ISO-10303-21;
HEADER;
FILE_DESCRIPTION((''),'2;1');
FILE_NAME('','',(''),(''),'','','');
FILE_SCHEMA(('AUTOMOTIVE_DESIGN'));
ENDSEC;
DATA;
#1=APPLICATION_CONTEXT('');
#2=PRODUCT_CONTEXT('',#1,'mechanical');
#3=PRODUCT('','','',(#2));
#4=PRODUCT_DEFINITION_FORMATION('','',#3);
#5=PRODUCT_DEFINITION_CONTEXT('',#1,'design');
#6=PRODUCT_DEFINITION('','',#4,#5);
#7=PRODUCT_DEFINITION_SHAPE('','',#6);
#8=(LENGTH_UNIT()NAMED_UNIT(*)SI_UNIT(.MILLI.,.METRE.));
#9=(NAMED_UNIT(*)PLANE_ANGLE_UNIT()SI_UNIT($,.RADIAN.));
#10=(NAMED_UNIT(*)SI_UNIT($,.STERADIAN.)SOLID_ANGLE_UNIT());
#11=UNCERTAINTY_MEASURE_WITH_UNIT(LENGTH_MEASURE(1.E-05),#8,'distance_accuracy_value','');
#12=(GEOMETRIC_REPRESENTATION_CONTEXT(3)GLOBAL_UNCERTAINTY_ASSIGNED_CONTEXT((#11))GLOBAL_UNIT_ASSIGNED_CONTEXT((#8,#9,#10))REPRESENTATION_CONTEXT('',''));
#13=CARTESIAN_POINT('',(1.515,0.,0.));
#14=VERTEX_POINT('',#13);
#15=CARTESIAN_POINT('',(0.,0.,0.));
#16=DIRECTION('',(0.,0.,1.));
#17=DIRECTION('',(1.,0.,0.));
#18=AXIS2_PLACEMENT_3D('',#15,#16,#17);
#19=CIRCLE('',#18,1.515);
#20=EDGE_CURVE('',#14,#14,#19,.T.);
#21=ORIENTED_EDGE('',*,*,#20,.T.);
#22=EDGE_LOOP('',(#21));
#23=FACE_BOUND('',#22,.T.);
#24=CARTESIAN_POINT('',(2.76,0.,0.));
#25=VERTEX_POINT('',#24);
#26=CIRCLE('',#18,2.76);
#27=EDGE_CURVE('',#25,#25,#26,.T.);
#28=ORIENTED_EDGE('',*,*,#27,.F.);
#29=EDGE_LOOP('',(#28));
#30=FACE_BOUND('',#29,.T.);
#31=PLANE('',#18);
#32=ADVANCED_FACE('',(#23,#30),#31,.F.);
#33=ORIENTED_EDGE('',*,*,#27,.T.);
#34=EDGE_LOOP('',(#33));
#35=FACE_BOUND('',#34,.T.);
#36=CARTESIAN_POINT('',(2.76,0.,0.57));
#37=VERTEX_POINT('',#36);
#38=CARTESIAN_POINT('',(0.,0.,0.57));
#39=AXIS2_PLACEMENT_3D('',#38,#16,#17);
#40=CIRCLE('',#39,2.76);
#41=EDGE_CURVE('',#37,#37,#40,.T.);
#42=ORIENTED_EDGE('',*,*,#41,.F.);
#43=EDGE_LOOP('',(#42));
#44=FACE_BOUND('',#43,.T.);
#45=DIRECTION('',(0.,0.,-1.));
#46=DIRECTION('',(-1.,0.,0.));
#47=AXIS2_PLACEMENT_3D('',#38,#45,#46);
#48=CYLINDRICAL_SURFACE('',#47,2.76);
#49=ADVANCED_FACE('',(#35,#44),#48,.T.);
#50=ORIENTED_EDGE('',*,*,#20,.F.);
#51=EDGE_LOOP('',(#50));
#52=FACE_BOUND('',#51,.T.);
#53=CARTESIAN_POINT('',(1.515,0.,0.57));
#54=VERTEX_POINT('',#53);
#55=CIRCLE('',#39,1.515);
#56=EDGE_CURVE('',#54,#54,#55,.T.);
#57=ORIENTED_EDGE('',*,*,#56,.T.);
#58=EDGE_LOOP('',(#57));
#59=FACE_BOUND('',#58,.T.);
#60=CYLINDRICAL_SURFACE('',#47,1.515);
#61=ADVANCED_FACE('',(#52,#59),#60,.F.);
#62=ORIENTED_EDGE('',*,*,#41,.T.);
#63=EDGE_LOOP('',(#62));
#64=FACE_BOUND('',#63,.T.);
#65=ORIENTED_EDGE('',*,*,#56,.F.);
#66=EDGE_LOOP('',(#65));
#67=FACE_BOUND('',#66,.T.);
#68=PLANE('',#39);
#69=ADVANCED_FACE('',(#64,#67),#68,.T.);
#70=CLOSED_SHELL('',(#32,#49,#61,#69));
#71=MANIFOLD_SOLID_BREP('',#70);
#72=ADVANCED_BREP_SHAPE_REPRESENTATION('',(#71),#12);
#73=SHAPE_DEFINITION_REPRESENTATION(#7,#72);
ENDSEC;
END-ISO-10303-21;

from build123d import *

# Parameters (mm, degrees)
SCHIZZO2_R                   = 2.76
SCHIZZO2_R_2                 = 1.515
ESTRUSIONE_ESTRUSIONE1_DEPTH = 0.57


with BuildPart() as part:
    # Schizzo2 → Estrusione-Estrusione1 (new body)
    with BuildSketch(Plane.XY):
        Circle(SCHIZZO2_R)
        Circle(SCHIZZO2_R_2, mode=Mode.SUBTRACT)
    extrude(amount=ESTRUSIONE_ESTRUSIONE1_DEPTH)


solid = part.part
